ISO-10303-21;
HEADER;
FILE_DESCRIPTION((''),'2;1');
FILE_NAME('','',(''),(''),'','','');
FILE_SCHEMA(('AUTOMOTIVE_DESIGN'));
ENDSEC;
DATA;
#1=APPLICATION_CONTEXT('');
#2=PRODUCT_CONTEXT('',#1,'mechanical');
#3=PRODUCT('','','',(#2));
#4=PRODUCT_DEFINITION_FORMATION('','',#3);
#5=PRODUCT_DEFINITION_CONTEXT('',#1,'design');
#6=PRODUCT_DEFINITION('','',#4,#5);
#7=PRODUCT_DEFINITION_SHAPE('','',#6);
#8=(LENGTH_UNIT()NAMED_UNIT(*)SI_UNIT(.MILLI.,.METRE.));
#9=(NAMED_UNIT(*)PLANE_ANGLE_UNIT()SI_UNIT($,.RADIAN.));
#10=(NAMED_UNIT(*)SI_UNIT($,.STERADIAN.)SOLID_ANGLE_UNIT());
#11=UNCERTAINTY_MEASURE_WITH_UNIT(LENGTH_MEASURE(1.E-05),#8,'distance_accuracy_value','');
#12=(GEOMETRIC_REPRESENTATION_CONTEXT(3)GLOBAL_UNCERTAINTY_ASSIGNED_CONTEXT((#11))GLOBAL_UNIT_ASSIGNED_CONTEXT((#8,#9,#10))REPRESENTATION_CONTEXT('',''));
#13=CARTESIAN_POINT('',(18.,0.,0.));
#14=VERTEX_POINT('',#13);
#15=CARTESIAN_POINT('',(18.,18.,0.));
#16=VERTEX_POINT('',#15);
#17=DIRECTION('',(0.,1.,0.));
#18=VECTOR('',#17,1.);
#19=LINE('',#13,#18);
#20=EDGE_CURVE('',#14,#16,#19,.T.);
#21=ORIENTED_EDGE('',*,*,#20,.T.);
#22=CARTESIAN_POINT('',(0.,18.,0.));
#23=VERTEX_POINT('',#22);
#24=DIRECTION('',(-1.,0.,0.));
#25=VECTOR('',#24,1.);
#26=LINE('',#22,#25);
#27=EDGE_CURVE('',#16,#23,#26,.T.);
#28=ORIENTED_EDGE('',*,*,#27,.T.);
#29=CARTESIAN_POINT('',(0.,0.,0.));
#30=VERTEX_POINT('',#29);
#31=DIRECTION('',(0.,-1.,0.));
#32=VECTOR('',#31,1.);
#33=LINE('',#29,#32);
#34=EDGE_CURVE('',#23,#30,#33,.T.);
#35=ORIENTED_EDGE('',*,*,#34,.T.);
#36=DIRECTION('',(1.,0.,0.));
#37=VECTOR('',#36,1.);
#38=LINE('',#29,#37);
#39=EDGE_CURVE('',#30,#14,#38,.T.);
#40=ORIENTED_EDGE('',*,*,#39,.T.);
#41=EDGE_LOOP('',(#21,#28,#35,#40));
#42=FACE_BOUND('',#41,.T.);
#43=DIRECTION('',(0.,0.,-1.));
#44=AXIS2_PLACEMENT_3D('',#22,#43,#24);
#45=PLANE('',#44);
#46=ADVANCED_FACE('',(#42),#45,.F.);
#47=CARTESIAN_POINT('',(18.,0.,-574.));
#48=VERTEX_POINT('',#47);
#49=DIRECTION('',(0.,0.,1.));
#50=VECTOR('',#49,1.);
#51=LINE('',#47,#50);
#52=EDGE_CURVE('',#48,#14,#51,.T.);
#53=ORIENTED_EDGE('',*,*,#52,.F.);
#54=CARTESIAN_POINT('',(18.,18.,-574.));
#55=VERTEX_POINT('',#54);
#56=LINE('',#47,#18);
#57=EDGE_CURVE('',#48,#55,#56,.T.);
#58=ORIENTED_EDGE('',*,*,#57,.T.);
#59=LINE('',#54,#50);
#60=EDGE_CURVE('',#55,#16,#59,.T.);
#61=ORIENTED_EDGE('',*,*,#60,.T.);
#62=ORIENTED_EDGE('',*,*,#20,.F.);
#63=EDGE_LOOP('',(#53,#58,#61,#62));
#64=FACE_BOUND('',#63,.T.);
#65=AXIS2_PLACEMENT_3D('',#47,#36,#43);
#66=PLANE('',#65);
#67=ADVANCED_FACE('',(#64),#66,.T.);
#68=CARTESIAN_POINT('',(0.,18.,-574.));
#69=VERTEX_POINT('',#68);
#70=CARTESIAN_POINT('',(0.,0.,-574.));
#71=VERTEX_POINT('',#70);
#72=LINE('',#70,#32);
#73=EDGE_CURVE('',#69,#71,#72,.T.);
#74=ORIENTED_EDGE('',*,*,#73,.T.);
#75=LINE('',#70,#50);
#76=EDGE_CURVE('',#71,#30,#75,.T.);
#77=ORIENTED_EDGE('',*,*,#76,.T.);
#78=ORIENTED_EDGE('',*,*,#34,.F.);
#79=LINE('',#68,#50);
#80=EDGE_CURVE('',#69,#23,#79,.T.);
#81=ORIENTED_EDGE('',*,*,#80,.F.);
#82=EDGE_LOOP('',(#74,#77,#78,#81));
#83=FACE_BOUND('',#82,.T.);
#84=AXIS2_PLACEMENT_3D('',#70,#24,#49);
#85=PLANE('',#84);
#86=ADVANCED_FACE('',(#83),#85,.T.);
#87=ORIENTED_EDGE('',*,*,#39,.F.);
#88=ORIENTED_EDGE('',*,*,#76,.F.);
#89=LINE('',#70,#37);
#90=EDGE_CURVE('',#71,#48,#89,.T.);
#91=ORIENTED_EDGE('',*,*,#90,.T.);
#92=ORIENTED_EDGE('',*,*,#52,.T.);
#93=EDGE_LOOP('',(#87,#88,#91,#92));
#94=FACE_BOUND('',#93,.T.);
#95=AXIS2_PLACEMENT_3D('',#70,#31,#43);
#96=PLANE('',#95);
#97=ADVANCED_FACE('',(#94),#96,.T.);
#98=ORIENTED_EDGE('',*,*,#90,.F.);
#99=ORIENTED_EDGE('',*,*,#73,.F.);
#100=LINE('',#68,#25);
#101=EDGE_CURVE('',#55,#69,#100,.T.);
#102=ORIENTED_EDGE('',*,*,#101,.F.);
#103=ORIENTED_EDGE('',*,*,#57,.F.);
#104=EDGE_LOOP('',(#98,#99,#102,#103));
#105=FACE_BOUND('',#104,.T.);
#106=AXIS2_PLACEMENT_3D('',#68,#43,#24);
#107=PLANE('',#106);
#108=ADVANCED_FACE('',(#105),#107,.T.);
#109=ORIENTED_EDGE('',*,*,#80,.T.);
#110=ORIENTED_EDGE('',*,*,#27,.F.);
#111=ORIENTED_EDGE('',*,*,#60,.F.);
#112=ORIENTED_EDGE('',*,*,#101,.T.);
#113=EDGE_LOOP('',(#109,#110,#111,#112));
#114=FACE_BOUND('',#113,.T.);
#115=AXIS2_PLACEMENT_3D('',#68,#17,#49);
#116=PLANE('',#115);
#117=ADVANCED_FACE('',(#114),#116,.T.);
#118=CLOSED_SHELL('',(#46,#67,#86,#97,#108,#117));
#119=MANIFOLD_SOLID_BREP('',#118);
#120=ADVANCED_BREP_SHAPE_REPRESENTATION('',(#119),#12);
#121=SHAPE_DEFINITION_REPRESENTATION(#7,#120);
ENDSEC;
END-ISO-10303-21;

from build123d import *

# Parameters (mm, degrees)
ESQUISSE1_W      = 18
ESQUISSE1_H      = 18
EXTRUSION1_DEPTH = 574


with BuildPart() as part:
    # Esquisse1 → Extrusion1 (new body)
    with BuildSketch(Plane.XY):
        with Locations((9, 9)):
            Rectangle(ESQUISSE1_W, ESQUISSE1_H)
    extrude(amount=-EXTRUSION1_DEPTH)


solid = part.part
